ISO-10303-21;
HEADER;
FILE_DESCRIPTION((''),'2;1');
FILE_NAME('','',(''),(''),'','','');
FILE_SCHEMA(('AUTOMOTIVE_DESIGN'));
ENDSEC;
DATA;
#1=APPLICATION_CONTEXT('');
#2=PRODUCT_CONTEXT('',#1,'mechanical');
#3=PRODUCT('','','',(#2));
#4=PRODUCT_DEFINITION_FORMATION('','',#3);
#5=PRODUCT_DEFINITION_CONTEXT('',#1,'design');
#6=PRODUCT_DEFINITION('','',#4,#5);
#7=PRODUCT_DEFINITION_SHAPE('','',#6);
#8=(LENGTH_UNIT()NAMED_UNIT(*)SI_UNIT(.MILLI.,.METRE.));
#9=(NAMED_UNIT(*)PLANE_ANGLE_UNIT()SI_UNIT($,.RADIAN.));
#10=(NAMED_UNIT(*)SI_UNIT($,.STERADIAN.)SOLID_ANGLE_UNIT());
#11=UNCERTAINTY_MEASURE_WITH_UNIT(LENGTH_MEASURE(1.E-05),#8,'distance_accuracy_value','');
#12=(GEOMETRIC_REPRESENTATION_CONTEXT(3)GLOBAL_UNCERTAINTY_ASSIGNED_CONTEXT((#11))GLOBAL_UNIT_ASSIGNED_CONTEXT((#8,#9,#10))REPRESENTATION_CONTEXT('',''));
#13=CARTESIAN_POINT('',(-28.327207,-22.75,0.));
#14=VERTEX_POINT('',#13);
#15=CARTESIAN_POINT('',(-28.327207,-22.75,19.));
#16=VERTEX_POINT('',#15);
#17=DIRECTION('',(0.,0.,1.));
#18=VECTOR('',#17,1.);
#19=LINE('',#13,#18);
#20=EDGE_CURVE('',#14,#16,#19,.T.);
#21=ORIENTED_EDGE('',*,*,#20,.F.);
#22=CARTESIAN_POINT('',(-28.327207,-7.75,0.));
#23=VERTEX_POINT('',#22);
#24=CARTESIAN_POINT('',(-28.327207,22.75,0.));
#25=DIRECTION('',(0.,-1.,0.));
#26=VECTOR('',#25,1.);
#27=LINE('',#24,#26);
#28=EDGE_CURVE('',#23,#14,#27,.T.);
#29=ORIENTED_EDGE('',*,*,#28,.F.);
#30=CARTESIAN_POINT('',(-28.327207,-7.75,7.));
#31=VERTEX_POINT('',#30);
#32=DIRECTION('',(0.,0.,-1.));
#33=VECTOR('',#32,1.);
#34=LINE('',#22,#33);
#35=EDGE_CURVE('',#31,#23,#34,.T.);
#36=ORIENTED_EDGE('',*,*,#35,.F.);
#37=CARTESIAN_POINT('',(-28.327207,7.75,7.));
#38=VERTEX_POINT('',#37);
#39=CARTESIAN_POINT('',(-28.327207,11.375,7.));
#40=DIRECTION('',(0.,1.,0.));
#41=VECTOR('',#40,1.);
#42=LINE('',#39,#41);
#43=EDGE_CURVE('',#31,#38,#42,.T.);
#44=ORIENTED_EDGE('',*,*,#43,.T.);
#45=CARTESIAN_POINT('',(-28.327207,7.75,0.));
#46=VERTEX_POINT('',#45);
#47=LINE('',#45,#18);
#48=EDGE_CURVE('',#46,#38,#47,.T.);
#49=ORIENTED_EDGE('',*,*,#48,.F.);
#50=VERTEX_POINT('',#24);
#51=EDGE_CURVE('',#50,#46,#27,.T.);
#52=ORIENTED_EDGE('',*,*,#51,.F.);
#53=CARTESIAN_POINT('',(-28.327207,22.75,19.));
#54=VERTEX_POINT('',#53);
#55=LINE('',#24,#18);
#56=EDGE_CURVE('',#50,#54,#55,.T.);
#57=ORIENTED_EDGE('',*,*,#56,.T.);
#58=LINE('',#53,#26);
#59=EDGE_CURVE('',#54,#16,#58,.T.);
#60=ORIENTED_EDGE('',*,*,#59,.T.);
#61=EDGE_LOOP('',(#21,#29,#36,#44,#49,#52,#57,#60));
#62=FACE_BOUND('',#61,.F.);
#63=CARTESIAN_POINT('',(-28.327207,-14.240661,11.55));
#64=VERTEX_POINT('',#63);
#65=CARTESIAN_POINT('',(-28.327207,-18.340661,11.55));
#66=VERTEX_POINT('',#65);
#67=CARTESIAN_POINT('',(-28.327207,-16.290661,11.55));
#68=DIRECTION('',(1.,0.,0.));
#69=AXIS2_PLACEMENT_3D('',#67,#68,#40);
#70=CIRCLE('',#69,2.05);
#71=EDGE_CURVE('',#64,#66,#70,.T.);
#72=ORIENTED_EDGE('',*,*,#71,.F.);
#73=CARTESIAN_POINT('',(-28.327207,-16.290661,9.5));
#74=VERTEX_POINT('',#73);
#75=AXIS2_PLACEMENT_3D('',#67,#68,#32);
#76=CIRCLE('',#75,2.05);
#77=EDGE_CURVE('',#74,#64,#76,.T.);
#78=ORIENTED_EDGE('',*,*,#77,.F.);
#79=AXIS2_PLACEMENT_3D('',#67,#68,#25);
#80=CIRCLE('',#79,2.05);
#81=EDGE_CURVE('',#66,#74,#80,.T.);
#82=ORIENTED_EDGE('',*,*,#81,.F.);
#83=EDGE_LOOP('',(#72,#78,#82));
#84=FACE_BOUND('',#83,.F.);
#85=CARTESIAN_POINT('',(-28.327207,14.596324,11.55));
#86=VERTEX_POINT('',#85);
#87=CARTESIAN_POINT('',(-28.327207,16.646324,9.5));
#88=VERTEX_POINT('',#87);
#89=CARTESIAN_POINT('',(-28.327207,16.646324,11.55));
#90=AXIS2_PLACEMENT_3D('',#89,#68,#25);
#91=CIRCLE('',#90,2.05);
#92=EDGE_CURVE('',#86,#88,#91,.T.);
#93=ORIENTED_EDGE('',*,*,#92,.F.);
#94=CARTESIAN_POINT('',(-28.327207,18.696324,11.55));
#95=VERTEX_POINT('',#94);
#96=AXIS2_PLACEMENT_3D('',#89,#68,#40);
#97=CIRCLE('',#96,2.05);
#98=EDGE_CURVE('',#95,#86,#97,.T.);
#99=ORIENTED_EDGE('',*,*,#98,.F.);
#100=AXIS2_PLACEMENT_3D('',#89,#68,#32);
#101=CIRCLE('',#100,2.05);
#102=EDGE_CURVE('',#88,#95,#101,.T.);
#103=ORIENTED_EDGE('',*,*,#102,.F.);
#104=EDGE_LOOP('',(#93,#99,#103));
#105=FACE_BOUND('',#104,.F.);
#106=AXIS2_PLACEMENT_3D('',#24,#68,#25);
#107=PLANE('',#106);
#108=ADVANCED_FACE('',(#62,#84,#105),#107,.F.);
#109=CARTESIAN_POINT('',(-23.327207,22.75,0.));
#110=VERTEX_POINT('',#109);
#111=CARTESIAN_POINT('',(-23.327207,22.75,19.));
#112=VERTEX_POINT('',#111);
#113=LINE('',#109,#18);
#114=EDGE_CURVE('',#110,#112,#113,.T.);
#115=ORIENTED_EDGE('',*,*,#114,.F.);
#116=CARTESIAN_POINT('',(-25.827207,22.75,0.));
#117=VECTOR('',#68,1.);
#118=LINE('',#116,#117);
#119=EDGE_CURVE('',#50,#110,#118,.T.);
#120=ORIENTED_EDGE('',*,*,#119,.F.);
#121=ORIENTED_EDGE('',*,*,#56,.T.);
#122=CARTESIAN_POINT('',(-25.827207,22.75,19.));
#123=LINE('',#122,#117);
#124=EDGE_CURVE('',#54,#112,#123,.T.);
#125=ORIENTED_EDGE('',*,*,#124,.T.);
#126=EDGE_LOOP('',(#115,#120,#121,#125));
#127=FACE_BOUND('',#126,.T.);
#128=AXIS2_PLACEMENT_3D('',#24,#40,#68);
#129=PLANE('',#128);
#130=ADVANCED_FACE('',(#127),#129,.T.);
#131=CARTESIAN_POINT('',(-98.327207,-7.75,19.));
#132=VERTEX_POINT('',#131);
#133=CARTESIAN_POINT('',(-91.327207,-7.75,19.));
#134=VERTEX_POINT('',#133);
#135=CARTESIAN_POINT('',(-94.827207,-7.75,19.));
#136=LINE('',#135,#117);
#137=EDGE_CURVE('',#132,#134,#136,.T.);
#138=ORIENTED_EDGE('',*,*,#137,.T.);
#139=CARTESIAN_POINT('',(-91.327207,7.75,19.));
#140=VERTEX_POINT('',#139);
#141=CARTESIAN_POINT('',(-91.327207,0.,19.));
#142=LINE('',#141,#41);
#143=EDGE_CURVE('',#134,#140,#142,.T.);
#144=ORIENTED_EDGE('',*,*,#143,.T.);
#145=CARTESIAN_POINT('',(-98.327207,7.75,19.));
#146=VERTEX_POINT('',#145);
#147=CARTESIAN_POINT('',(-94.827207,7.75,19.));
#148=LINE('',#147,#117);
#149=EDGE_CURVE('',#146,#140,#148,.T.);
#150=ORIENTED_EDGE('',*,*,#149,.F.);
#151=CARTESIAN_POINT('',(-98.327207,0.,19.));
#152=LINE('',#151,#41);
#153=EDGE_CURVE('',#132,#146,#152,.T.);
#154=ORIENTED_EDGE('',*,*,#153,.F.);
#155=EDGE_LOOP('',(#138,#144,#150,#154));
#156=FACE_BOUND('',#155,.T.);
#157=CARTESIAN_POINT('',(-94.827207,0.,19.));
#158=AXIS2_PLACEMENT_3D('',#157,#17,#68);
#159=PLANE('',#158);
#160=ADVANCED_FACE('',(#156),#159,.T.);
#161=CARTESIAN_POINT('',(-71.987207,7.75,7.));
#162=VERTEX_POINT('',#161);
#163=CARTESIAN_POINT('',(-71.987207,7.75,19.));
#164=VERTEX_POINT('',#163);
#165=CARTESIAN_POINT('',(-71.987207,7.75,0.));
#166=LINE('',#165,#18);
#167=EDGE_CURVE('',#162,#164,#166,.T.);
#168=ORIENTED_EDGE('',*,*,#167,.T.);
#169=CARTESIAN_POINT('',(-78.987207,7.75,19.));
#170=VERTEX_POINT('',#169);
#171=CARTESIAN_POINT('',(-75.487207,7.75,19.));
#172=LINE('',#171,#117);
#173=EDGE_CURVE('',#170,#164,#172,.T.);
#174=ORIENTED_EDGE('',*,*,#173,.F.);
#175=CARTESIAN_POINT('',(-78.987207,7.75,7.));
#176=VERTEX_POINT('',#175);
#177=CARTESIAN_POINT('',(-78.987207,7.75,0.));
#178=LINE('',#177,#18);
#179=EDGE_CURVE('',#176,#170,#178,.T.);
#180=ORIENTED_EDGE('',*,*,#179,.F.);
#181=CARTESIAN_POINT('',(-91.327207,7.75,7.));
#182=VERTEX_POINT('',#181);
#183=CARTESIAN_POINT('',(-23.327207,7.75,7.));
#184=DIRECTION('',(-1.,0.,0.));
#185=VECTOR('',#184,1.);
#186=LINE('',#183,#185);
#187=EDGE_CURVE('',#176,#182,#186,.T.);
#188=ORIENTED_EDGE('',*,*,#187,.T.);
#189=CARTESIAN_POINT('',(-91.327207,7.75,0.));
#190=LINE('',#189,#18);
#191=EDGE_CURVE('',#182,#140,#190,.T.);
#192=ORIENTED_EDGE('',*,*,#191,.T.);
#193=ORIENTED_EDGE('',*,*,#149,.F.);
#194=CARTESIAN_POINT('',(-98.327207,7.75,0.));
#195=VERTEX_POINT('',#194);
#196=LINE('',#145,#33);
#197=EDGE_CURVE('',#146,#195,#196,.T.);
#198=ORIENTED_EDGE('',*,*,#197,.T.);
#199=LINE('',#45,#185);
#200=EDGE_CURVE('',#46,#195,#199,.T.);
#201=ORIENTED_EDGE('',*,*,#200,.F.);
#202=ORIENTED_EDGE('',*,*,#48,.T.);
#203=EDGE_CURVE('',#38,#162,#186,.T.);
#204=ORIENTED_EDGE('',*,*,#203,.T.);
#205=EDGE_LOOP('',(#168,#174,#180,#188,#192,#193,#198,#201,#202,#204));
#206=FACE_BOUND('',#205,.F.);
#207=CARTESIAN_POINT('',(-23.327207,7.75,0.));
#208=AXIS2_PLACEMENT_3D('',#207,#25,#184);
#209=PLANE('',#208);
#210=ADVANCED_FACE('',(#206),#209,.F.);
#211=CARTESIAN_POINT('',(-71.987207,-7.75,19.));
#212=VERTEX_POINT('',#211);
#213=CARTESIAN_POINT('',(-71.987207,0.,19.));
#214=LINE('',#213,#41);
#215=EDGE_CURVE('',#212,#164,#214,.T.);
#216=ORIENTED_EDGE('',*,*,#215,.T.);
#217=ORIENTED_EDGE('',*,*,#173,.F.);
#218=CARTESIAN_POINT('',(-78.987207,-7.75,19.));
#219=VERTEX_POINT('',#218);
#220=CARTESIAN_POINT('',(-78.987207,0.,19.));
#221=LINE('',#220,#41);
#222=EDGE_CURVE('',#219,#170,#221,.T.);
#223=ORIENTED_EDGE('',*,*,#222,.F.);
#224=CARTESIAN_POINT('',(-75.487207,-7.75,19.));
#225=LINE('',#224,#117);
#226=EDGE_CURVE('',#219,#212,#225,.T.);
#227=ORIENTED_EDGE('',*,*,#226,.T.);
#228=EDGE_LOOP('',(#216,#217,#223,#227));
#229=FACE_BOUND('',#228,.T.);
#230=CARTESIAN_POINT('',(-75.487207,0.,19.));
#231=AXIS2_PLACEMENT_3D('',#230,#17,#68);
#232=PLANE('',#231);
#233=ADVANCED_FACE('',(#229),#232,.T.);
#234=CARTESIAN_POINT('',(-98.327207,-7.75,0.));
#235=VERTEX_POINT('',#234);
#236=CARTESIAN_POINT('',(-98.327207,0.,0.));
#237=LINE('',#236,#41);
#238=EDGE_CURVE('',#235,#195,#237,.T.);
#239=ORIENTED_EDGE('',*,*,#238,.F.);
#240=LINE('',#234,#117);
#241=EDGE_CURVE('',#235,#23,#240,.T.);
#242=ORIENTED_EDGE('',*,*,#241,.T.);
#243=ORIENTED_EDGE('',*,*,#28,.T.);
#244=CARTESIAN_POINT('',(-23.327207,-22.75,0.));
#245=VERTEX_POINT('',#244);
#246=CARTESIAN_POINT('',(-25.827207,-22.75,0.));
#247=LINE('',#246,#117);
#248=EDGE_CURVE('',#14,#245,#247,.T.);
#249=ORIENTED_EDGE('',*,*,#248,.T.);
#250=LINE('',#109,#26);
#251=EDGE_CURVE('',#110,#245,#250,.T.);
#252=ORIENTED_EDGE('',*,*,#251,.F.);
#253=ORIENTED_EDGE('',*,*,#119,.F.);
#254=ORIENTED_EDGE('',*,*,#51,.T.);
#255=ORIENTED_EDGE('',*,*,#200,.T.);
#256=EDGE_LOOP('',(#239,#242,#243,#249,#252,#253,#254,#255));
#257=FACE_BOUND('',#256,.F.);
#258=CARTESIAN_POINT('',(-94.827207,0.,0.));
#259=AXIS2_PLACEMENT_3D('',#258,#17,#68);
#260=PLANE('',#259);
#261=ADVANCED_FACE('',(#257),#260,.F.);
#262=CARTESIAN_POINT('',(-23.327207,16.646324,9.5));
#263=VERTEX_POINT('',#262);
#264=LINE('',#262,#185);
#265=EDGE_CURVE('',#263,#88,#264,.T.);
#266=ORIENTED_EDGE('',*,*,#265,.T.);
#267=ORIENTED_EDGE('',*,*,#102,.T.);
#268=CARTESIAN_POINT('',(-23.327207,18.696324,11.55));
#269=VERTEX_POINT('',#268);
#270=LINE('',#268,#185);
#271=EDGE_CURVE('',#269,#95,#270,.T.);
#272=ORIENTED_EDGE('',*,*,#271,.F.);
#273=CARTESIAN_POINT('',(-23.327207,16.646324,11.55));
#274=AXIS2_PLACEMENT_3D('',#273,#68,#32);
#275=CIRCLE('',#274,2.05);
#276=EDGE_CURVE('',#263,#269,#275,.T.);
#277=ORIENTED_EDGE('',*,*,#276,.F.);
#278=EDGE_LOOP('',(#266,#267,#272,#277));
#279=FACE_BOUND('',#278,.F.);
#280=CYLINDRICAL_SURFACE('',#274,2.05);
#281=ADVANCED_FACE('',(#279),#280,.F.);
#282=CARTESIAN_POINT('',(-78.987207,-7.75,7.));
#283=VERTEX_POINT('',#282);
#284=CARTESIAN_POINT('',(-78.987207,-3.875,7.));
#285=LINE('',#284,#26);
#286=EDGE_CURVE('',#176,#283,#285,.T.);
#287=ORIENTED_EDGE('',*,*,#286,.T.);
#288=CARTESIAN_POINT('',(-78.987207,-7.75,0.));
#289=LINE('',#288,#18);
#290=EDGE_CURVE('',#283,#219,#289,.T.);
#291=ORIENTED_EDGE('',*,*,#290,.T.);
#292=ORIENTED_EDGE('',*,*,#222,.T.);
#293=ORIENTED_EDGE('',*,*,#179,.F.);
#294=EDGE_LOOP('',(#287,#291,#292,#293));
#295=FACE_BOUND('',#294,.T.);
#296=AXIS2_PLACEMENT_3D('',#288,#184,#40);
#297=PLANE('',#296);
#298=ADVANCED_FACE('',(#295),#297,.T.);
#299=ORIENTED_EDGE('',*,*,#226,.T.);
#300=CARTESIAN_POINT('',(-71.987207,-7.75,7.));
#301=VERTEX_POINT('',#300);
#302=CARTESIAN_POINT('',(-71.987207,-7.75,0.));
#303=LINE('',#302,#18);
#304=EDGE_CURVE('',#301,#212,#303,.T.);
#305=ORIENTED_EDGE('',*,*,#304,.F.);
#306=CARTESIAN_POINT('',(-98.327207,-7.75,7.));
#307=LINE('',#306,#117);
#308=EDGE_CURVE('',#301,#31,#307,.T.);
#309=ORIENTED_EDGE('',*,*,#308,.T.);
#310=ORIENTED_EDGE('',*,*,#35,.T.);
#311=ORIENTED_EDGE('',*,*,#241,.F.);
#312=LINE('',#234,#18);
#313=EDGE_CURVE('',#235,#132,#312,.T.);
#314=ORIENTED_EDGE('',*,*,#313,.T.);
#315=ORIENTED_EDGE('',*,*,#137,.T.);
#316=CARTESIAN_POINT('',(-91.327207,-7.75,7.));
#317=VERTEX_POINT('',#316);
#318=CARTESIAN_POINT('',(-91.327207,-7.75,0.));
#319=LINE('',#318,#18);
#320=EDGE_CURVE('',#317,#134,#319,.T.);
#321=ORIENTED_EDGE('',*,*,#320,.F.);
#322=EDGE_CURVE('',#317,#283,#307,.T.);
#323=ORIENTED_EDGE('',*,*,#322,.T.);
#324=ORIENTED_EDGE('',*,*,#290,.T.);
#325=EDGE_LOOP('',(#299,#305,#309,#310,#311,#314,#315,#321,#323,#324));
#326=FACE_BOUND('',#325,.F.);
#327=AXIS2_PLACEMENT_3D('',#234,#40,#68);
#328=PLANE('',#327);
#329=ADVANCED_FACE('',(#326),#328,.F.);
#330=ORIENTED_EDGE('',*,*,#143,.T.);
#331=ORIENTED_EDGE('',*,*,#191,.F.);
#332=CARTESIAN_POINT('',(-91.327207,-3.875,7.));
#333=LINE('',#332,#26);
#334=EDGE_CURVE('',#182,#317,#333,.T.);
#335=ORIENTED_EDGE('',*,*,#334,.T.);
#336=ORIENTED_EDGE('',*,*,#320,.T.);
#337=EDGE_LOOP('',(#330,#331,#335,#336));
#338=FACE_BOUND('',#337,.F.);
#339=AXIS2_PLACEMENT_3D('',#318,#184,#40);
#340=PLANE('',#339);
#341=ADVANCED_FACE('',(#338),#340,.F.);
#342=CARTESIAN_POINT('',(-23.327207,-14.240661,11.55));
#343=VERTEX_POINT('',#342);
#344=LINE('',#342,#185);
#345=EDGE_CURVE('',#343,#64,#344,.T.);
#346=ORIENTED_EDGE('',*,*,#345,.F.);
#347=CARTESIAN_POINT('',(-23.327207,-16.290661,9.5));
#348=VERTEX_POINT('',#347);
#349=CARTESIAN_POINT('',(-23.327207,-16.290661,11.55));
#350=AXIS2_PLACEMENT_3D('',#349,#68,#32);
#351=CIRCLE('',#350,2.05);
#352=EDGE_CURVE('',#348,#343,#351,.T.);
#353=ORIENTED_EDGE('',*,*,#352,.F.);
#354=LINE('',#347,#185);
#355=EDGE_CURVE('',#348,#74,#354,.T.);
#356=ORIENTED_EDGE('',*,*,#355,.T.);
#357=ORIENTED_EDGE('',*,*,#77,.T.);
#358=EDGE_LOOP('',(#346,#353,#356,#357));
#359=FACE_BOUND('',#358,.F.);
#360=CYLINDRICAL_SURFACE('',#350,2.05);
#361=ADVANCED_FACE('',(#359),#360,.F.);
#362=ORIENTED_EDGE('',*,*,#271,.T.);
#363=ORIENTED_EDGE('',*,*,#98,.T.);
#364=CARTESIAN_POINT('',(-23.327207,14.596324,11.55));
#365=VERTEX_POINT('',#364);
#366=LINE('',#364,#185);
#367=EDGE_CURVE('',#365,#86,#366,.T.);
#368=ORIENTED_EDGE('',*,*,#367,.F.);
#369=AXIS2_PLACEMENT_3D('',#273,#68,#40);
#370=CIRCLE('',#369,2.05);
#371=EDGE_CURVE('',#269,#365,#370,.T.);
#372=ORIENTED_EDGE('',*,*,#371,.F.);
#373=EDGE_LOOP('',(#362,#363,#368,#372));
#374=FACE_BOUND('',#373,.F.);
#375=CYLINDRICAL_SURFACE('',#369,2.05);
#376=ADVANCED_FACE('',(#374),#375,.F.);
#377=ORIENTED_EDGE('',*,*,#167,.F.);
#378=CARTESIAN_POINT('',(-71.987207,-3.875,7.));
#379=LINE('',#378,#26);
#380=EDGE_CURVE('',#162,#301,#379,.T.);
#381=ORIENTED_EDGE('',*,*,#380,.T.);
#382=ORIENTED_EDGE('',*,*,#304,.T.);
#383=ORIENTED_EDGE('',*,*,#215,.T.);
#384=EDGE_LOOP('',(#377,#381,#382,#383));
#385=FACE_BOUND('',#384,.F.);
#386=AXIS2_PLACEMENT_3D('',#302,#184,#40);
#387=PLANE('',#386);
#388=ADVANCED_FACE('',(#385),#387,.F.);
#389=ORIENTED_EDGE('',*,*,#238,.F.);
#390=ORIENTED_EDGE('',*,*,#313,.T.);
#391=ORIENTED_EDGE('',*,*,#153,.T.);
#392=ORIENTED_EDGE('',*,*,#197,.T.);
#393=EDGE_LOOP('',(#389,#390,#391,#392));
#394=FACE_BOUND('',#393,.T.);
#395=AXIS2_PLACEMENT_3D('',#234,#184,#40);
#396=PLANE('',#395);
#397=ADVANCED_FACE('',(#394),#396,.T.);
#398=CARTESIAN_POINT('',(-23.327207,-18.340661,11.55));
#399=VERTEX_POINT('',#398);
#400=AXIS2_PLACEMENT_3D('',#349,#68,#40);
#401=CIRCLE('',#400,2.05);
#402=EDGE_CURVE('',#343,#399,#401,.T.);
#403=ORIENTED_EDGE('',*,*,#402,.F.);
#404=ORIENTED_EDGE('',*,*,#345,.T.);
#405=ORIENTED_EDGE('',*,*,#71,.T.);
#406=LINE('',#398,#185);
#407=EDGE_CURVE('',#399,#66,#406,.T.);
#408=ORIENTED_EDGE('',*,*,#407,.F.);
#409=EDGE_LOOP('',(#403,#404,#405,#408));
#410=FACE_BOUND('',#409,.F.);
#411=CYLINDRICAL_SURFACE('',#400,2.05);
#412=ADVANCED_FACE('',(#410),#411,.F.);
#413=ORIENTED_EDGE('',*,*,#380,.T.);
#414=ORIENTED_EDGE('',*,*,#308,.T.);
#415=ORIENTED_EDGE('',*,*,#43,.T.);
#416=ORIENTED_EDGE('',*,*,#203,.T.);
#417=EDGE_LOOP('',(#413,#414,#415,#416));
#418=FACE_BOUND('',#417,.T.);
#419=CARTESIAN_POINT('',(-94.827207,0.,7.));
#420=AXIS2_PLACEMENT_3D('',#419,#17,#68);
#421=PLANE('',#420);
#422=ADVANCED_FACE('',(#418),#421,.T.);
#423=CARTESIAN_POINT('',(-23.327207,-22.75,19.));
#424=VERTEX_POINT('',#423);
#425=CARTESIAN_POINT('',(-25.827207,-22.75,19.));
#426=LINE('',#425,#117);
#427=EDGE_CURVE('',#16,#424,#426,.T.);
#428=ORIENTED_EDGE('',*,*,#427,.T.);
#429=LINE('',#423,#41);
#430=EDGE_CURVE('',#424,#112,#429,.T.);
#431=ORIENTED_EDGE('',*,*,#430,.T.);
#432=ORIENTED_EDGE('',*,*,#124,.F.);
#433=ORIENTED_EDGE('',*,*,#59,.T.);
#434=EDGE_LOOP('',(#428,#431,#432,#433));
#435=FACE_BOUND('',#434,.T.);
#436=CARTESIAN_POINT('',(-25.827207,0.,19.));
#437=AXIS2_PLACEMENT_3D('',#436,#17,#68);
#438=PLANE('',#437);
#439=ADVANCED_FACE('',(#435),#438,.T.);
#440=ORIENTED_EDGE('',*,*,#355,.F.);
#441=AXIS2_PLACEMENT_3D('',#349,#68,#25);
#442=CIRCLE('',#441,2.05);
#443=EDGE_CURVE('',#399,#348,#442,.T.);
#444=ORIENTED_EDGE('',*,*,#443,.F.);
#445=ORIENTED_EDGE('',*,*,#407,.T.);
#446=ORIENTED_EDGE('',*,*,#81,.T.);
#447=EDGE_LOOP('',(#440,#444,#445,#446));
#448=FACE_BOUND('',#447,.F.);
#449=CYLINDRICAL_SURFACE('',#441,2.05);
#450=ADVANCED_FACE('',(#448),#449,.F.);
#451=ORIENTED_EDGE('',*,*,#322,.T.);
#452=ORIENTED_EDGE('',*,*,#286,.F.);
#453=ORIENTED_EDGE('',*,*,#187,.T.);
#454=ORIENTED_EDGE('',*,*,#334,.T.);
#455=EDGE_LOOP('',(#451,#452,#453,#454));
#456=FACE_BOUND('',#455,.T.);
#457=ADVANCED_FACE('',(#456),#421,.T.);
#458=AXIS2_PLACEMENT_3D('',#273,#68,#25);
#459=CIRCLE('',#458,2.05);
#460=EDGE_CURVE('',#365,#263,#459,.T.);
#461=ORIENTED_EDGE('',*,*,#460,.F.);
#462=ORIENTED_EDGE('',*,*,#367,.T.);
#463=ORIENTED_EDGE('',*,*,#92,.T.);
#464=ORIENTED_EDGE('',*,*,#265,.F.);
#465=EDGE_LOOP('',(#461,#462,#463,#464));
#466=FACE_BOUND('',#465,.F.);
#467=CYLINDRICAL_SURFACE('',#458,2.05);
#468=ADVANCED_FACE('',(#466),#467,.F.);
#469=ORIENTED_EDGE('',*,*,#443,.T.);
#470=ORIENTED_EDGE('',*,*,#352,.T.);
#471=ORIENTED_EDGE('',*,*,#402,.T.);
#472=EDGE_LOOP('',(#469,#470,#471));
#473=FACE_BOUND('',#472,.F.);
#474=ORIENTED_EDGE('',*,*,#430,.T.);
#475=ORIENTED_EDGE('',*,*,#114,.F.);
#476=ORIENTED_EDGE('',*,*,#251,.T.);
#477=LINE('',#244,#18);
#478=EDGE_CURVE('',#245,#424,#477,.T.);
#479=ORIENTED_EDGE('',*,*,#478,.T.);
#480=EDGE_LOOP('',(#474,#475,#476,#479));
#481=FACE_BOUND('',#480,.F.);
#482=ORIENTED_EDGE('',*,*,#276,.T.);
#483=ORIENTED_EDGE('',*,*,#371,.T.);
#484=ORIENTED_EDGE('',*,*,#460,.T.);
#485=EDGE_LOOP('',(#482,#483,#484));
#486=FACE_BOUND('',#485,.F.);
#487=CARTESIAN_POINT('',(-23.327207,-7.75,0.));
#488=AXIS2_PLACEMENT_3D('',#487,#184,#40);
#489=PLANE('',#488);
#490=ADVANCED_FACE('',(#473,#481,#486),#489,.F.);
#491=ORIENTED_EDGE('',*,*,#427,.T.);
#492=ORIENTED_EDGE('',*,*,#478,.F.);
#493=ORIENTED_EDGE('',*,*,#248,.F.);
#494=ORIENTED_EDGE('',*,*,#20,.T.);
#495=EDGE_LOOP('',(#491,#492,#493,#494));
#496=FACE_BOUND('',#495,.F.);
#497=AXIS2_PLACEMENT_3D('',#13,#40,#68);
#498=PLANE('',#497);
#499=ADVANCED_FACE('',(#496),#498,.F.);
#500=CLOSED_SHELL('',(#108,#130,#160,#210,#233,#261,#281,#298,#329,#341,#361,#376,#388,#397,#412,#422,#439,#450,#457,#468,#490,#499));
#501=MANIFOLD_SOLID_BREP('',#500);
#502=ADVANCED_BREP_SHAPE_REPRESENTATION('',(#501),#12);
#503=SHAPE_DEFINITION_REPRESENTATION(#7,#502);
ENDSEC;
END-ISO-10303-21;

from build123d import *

# Parameters (mm, degrees)
F0_W     = 7
F0_H     = 15.5
F0_W_2   = 12.34
F0_W_3   = 43.66
F0_W_4   = 5
F1_DEPTH = 7
F0_H_2   = 15
F2_DEPTH = 19
F4_DEPTH = 15


with BuildPart() as f1:
    # F0 (on Top) → F1 (new body)
    with BuildSketch(Plane.XY):
        with Locations((-94.8272068564, 0)):
            Rectangle(F0_W, F0_H)
        with Locations((-85.1572068564, 0)):
            Rectangle(F0_W_2, F0_H)
        with Locations((-75.4872068564, 0)):
            Rectangle(F0_W, F0_H)
        with Locations((-50.1572068564, 0)):
            Rectangle(F0_W_3, F0_H)
        with Locations((-25.8272068564, 0)):
            Rectangle(F0_W_4, F0_H)
    extrude(amount=F1_DEPTH)

    # F0 (on Top) → F2 (join)
    with BuildSketch(Plane.XY):
        with Locations((-94.8272068564, 0)):
            Rectangle(F0_W, F0_H)
        with Locations((-75.4872068564, 0)):
            Rectangle(F0_W, F0_H)
        with Locations((-25.8272068564, 0)):
            Rectangle(F0_W_4, F0_H)
        with Locations((-25.8272068564, 15.25)):
            Rectangle(F0_W_4, F0_H_2)
        with Locations((-25.8272068564, -15.25)):
            Rectangle(F0_W_4, F0_H_2)
    extrude(amount=F2_DEPTH)

    # F3 (on face) → F4 (cut)
    with BuildSketch(Plane.YZ.offset(-23.3272068564)):
        with BuildLine():
            ThreePointArc((-14.2406609476, 11.55), (-16.2906609476, 13.6), (-18.3406609476, 11.55))
            Line((-18.3406609476, 11.55), (-14.2406609476, 11.55))
        make_face()
        with BuildLine():
            ThreePointArc((-18.3406609476, 11.55), (-17.740229849, 10.1004310986), (-16.2906609476, 9.5))
            ThreePointArc((-16.2906609476, 9.5), (-14.8410920461, 10.1004310986), (-14.2406609476, 11.55))
            Line((-14.2406609476, 11.55), (-18.3406609476, 11.55))
        make_face()
        with BuildLine():
            ThreePointArc((18.6963237256, 11.55), (16.6463237256, 13.6), (14.5963237256, 11.55))
            Line((14.5963237256, 11.55), (18.6963237256, 11.55))
        make_face()
        with BuildLine():
            ThreePointArc((14.5963237256, 11.55), (15.1967548241, 10.1004310986), (16.6463237256, 9.5))
            ThreePointArc((16.6463237256, 9.5), (18.095892627, 10.1004310986), (18.6963237256, 11.55))
            Line((18.6963237256, 11.55), (14.5963237256, 11.55))
        make_face()
    extrude(amount=-F4_DEPTH, mode=Mode.SUBTRACT)


solid = f1.part
